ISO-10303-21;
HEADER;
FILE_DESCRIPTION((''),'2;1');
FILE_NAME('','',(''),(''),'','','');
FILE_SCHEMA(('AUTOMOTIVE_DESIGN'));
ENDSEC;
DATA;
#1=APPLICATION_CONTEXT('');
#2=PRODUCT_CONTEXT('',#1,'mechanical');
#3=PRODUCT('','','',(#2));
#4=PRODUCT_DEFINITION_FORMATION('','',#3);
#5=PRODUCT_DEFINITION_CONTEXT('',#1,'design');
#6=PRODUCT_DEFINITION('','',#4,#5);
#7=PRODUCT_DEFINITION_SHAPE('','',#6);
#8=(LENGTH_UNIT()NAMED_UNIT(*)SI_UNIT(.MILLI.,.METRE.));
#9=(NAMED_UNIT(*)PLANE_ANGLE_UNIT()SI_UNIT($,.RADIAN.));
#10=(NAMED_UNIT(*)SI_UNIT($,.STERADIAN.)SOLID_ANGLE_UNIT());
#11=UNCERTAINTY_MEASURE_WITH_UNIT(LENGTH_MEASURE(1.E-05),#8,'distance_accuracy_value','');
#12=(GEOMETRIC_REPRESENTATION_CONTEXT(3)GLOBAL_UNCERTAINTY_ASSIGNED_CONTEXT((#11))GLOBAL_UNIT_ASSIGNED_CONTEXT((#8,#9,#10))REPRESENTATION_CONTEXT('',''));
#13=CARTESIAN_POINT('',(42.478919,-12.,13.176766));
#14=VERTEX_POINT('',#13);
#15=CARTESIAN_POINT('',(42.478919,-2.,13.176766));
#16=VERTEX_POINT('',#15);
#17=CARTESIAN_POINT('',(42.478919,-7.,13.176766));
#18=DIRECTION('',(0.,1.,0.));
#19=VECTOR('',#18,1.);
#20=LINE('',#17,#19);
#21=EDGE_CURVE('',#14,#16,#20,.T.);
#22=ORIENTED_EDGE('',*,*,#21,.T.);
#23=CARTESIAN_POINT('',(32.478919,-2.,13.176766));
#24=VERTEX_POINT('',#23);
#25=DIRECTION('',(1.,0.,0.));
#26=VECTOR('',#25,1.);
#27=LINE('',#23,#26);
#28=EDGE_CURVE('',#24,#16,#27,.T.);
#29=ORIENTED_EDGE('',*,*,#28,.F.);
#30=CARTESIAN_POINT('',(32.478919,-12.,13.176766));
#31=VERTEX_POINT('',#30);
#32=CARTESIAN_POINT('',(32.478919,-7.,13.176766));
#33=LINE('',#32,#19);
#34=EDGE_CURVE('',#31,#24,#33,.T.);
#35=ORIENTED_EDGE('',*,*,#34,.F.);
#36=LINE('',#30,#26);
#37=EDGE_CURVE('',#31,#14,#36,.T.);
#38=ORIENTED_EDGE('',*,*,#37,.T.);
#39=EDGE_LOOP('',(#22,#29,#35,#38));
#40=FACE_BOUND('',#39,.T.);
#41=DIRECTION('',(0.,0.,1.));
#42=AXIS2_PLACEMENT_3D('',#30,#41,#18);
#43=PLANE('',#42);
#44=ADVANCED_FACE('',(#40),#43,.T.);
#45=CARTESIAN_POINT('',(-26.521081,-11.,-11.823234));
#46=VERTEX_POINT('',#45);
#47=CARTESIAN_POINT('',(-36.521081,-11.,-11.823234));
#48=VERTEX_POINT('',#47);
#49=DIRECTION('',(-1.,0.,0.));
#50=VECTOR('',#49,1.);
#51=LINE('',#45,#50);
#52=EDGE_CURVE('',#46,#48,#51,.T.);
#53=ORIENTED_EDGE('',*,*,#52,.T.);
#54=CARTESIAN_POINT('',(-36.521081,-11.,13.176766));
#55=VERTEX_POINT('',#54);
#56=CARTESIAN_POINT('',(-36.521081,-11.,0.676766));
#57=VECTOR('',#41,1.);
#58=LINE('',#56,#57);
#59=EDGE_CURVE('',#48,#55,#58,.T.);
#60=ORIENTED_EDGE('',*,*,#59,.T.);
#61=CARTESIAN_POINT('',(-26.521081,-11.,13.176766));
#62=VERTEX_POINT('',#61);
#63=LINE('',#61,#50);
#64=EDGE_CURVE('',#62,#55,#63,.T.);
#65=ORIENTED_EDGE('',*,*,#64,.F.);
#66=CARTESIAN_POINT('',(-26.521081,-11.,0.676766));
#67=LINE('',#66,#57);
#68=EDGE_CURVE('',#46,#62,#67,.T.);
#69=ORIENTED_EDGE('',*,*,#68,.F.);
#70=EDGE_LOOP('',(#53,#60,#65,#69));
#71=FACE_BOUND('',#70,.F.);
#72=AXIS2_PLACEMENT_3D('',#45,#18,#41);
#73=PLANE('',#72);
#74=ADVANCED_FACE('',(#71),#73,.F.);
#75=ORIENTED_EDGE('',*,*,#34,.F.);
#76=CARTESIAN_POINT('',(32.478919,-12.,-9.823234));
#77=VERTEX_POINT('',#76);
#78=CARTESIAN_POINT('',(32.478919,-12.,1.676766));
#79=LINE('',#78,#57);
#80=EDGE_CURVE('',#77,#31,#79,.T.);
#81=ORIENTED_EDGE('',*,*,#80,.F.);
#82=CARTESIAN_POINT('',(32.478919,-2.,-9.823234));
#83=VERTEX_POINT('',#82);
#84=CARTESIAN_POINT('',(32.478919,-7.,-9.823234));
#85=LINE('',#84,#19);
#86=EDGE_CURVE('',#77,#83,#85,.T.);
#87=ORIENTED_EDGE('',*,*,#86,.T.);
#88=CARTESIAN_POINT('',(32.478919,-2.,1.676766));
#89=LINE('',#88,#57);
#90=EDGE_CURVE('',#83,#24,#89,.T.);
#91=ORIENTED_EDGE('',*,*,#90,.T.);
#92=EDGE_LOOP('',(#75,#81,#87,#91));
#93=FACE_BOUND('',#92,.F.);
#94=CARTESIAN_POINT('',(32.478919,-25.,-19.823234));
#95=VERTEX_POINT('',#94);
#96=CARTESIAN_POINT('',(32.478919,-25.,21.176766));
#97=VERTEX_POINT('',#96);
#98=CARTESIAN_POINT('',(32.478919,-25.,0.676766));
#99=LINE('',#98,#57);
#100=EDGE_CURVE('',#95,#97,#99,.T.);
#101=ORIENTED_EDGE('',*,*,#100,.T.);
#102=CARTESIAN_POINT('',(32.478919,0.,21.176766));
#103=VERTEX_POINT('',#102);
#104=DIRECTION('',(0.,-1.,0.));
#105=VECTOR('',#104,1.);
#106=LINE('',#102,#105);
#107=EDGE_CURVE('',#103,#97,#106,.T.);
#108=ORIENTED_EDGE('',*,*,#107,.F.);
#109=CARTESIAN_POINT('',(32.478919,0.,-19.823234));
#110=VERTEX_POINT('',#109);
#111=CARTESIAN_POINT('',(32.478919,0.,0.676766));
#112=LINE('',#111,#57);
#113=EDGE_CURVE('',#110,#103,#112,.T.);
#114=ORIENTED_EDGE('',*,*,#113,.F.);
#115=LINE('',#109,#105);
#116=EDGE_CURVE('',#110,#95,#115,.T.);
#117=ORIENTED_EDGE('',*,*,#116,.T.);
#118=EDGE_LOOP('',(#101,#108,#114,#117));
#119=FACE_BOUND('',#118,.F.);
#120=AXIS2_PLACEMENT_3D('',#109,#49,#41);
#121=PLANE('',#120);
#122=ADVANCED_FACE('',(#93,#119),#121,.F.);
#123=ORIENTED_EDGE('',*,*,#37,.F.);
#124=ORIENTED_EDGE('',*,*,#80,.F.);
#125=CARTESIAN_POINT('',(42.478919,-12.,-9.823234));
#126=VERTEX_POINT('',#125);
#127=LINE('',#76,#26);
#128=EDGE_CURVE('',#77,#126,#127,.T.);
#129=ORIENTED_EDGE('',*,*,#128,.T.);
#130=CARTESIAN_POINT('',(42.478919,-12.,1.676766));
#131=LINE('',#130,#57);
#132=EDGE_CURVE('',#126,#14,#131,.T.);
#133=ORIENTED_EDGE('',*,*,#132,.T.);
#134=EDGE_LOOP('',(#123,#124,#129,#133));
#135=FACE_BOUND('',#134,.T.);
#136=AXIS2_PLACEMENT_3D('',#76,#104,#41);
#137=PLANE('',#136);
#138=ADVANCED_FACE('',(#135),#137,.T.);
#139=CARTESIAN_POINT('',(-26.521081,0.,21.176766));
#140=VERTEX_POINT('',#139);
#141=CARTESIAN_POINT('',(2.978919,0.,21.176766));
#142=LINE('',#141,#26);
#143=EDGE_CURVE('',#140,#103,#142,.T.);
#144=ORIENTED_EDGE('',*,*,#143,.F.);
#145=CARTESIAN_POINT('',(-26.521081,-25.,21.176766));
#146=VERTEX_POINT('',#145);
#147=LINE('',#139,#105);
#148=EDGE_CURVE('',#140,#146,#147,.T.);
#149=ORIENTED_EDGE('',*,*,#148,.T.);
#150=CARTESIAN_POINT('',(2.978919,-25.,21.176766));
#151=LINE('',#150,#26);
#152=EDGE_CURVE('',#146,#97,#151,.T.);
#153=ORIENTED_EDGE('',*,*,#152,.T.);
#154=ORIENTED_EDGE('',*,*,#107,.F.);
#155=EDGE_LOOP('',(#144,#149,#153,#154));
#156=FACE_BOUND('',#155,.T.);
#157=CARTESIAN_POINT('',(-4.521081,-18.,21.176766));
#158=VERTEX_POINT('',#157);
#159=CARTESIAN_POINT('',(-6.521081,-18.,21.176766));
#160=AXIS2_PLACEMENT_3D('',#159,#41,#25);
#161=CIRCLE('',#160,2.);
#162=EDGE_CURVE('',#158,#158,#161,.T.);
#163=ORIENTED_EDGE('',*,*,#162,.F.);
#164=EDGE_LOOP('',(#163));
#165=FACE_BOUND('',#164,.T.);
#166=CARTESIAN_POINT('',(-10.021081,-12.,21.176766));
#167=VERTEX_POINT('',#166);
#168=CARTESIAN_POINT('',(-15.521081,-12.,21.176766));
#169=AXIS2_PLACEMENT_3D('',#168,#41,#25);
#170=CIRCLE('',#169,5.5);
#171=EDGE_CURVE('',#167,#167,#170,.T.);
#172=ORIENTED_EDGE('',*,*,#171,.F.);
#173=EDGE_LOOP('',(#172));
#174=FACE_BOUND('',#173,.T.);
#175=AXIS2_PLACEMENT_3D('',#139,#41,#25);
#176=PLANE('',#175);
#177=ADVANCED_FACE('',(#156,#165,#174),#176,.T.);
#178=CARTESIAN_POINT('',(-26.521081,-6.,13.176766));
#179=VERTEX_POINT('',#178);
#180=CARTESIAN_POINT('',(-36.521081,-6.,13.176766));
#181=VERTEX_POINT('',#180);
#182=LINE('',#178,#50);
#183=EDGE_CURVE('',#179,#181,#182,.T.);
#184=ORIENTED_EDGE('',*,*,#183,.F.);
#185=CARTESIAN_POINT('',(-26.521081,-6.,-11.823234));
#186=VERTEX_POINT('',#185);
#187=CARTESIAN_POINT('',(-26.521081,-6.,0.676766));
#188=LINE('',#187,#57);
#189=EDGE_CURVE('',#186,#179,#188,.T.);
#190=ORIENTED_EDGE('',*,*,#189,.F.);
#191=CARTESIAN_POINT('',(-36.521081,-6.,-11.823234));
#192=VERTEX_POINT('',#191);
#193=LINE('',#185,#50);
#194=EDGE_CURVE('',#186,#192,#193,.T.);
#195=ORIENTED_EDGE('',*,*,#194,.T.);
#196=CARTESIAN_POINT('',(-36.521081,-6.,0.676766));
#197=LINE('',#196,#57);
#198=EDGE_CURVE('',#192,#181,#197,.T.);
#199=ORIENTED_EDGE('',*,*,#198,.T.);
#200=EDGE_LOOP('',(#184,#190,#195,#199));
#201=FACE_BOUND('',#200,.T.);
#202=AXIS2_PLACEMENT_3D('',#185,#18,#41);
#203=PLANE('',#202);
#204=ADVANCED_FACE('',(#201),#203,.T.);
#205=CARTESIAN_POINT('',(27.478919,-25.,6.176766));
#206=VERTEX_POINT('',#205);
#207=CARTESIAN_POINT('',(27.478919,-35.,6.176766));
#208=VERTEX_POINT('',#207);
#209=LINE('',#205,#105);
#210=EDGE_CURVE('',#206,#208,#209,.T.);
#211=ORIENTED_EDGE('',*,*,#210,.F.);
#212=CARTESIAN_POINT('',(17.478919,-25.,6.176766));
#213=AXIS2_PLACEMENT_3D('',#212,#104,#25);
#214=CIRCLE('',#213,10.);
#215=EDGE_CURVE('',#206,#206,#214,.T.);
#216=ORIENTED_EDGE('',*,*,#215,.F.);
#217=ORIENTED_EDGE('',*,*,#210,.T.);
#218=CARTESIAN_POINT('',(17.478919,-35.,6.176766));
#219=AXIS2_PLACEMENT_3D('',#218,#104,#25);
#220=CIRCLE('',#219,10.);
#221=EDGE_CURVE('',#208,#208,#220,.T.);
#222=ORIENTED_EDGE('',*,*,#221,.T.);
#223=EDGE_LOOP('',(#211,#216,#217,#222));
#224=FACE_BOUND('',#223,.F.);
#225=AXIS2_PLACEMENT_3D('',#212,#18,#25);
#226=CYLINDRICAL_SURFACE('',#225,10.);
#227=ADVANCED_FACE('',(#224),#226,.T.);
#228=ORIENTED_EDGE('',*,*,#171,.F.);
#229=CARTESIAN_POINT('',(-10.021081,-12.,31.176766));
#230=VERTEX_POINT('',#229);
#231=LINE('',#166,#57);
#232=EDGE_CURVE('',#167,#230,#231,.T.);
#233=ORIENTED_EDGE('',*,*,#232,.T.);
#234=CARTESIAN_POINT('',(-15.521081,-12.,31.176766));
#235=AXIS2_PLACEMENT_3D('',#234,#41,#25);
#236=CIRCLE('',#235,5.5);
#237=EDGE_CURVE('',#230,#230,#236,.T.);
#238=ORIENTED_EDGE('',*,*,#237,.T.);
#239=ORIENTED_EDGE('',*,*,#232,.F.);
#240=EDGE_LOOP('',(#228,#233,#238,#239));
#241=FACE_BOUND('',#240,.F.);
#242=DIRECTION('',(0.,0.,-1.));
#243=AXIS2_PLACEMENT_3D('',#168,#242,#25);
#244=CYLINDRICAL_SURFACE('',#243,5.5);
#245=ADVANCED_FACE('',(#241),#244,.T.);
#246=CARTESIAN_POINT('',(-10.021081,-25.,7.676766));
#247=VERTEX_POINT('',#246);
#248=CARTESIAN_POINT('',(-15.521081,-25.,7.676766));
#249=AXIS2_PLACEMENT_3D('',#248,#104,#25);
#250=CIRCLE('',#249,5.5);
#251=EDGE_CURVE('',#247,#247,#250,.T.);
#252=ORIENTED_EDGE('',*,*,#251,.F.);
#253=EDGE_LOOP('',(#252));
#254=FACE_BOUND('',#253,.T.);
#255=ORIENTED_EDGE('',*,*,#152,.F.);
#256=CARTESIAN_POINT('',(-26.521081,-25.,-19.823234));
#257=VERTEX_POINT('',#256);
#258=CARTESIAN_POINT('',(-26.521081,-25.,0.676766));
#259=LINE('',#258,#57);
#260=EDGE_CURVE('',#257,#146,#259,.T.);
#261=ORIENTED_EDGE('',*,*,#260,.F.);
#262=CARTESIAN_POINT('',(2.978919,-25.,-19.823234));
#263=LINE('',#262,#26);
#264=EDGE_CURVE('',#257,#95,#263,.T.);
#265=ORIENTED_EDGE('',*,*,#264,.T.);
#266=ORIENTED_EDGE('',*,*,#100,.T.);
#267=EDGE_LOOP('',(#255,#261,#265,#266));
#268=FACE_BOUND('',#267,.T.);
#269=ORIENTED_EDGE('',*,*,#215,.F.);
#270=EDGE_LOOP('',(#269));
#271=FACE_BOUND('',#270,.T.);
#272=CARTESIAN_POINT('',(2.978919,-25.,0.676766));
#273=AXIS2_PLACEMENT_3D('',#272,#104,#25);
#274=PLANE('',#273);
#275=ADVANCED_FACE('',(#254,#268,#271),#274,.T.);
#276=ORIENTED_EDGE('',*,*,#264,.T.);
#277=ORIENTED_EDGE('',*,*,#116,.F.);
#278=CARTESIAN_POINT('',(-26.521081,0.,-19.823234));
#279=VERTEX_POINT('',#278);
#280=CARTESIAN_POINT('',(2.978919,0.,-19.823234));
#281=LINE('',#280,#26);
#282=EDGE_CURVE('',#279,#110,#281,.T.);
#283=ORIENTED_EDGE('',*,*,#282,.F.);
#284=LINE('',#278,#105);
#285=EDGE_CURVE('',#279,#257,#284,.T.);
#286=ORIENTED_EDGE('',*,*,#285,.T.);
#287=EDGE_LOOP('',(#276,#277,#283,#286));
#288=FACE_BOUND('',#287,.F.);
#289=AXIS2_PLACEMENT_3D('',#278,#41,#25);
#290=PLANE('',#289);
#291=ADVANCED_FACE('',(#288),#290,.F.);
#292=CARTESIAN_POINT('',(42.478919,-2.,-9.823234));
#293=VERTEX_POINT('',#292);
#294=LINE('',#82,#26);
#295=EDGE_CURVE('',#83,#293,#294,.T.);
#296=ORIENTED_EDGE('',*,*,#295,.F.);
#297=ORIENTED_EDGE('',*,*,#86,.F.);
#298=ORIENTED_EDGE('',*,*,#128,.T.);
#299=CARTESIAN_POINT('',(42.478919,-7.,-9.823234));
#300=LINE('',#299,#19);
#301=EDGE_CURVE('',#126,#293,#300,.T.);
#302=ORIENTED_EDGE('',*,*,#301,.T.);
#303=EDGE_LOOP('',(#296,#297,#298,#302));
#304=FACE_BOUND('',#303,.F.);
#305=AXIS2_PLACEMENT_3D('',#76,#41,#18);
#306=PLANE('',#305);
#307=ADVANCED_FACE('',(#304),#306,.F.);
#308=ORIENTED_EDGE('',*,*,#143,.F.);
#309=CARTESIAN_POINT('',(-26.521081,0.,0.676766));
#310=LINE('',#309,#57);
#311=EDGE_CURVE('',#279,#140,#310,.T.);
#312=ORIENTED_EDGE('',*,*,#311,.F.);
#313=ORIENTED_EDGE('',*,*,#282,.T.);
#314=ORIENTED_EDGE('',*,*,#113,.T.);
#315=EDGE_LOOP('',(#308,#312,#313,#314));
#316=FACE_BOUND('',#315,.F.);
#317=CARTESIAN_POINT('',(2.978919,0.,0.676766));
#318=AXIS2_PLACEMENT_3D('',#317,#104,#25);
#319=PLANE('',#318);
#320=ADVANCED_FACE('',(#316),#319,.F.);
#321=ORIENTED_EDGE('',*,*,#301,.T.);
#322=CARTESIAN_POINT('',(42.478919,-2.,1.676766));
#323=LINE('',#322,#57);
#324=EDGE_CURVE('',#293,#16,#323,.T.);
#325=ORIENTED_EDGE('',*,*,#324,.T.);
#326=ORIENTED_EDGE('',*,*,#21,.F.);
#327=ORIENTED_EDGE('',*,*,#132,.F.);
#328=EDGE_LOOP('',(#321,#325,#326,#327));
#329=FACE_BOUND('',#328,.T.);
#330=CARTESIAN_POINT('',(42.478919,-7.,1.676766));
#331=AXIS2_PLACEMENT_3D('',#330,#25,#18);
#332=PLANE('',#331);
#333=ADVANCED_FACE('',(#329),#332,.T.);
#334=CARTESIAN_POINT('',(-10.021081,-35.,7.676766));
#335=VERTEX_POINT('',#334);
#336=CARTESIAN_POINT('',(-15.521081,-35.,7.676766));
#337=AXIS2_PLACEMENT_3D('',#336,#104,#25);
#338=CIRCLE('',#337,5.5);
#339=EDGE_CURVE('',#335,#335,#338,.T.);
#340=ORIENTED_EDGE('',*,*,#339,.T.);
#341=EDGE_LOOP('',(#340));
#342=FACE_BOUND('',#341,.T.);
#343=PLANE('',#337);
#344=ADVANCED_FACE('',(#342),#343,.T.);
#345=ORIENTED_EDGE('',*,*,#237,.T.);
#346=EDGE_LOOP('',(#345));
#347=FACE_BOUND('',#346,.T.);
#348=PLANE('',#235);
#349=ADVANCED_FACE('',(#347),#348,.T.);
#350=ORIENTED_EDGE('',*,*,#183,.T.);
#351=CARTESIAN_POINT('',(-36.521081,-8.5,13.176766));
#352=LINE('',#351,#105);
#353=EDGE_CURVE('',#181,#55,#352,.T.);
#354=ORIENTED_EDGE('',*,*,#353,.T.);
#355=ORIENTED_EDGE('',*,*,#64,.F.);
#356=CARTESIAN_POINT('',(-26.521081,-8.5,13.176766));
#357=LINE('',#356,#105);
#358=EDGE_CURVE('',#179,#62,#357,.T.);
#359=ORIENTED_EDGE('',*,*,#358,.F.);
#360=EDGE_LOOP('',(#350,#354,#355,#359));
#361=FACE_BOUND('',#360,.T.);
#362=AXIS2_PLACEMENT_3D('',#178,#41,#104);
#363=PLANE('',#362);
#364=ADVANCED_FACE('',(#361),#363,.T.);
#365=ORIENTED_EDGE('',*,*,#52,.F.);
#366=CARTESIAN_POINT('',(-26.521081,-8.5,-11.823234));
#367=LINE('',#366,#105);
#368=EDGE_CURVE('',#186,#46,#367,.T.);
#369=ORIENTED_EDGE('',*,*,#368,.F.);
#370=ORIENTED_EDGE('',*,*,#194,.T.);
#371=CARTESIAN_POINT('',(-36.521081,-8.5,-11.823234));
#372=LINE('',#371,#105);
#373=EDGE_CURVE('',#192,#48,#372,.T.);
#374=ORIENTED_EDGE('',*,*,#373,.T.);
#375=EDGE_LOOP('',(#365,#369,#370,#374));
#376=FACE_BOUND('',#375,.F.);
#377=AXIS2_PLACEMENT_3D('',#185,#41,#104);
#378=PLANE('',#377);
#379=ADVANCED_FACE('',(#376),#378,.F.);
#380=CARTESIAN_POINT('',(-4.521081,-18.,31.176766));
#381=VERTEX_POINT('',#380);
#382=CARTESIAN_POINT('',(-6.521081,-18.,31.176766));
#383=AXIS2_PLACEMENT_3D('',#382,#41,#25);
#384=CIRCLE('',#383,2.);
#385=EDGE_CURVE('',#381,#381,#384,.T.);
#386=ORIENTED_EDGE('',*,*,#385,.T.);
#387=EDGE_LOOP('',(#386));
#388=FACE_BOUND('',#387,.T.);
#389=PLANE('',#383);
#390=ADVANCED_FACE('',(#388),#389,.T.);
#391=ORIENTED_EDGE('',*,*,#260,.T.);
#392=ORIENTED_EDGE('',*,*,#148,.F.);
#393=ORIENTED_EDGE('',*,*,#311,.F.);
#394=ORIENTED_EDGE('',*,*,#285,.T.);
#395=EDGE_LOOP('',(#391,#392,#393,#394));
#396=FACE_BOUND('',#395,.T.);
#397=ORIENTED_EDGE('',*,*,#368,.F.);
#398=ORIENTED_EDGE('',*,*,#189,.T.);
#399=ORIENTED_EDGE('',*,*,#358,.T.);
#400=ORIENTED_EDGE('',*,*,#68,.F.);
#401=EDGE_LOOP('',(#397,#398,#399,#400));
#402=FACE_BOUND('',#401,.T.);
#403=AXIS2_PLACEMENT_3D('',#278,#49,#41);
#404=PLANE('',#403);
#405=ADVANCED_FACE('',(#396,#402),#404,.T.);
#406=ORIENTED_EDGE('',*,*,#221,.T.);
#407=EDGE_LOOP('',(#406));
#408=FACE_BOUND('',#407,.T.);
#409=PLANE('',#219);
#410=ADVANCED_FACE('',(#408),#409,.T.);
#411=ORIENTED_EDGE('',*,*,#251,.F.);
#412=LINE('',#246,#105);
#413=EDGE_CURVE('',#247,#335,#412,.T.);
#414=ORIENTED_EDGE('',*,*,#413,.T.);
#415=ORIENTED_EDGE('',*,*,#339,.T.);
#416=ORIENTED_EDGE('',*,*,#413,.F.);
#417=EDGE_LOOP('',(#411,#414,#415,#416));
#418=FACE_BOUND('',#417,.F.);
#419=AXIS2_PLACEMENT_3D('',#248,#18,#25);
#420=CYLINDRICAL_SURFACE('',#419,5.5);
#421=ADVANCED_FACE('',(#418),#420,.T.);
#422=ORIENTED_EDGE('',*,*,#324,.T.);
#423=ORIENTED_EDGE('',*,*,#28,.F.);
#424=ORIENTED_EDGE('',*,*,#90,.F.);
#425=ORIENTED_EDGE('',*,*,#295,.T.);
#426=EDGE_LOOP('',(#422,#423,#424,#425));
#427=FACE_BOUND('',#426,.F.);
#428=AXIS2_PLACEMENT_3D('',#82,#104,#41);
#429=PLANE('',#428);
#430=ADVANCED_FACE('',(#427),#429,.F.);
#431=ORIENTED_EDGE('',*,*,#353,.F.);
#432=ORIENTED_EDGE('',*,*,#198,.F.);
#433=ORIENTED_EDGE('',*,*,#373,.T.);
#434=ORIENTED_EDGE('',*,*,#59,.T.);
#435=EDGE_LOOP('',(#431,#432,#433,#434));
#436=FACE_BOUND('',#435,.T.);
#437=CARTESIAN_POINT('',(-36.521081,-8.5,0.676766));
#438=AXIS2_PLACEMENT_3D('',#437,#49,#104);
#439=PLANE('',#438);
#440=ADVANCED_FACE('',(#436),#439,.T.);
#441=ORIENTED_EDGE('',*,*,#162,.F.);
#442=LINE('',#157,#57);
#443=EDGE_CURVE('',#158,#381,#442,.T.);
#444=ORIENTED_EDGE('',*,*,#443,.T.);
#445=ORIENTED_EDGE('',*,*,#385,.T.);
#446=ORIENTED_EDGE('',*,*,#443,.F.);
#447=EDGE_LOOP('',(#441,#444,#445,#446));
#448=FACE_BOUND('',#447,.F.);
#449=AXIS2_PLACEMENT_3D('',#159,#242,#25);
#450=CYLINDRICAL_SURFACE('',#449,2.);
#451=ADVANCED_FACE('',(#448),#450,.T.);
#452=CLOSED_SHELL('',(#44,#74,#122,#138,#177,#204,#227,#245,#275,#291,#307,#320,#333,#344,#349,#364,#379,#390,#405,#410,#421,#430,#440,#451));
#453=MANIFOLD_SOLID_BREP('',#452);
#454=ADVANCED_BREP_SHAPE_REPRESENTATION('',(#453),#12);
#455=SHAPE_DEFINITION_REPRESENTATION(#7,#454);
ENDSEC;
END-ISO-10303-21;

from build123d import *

# Parameters (mm, degrees)
F0_W     = 59
F0_H     = 41
F1_DEPTH = 25
F2_R     = 5.5
F2_R_2   = 10
F3_DEPTH = 10
F4_R     = 2
F4_R_2   = 5.5
F5_DEPTH = 10
F6_W     = 10
F6_H     = 23
F7_DEPTH = 10
F8_W     = 5
F8_H     = 25
F9_DEPTH = 10


with BuildPart() as f1:
    # F0 (on Front) → F1 (new body)
    with BuildSketch(Plane.XZ):
        with Locations((2.978919, 0.676766)):
            Rectangle(F0_W, F0_H)
    extrude(amount=F1_DEPTH)

    # F2 (on face) → F3 (join)
    with BuildSketch(Plane.XZ.offset(25)):
        with Locations((-15.521081, 7.676766)):
            Circle(F2_R)
        with Locations((17.478919, 6.176766)):
            Circle(F2_R_2)
    extrude(amount=F3_DEPTH)

    # F4 (on face) → F5 (join)
    with BuildSketch(Plane.XY.offset(21.176766)):
        with Locations((-6.521081, -18)):
            Circle(F4_R)
        with Locations((-15.521081, -12)):
            Circle(F4_R_2)
    extrude(amount=F5_DEPTH)

    # F6 (on face) → F7 (join)
    with BuildSketch(Plane.YZ.offset(32.478919)):
        with Locations((-7, 1.676766)):
            Rectangle(F6_W, F6_H)
    extrude(amount=F7_DEPTH)

    # F8 (on face) → F9 (join)
    with BuildSketch(Plane(origin=(-26.521081, 0, 0), x_dir=(0, -1, 0), z_dir=(-1, 0, 0))):
        with Locations((8.5, 0.676766)):
            Rectangle(F8_W, F8_H)
    extrude(amount=F9_DEPTH)


solid = f1.part
